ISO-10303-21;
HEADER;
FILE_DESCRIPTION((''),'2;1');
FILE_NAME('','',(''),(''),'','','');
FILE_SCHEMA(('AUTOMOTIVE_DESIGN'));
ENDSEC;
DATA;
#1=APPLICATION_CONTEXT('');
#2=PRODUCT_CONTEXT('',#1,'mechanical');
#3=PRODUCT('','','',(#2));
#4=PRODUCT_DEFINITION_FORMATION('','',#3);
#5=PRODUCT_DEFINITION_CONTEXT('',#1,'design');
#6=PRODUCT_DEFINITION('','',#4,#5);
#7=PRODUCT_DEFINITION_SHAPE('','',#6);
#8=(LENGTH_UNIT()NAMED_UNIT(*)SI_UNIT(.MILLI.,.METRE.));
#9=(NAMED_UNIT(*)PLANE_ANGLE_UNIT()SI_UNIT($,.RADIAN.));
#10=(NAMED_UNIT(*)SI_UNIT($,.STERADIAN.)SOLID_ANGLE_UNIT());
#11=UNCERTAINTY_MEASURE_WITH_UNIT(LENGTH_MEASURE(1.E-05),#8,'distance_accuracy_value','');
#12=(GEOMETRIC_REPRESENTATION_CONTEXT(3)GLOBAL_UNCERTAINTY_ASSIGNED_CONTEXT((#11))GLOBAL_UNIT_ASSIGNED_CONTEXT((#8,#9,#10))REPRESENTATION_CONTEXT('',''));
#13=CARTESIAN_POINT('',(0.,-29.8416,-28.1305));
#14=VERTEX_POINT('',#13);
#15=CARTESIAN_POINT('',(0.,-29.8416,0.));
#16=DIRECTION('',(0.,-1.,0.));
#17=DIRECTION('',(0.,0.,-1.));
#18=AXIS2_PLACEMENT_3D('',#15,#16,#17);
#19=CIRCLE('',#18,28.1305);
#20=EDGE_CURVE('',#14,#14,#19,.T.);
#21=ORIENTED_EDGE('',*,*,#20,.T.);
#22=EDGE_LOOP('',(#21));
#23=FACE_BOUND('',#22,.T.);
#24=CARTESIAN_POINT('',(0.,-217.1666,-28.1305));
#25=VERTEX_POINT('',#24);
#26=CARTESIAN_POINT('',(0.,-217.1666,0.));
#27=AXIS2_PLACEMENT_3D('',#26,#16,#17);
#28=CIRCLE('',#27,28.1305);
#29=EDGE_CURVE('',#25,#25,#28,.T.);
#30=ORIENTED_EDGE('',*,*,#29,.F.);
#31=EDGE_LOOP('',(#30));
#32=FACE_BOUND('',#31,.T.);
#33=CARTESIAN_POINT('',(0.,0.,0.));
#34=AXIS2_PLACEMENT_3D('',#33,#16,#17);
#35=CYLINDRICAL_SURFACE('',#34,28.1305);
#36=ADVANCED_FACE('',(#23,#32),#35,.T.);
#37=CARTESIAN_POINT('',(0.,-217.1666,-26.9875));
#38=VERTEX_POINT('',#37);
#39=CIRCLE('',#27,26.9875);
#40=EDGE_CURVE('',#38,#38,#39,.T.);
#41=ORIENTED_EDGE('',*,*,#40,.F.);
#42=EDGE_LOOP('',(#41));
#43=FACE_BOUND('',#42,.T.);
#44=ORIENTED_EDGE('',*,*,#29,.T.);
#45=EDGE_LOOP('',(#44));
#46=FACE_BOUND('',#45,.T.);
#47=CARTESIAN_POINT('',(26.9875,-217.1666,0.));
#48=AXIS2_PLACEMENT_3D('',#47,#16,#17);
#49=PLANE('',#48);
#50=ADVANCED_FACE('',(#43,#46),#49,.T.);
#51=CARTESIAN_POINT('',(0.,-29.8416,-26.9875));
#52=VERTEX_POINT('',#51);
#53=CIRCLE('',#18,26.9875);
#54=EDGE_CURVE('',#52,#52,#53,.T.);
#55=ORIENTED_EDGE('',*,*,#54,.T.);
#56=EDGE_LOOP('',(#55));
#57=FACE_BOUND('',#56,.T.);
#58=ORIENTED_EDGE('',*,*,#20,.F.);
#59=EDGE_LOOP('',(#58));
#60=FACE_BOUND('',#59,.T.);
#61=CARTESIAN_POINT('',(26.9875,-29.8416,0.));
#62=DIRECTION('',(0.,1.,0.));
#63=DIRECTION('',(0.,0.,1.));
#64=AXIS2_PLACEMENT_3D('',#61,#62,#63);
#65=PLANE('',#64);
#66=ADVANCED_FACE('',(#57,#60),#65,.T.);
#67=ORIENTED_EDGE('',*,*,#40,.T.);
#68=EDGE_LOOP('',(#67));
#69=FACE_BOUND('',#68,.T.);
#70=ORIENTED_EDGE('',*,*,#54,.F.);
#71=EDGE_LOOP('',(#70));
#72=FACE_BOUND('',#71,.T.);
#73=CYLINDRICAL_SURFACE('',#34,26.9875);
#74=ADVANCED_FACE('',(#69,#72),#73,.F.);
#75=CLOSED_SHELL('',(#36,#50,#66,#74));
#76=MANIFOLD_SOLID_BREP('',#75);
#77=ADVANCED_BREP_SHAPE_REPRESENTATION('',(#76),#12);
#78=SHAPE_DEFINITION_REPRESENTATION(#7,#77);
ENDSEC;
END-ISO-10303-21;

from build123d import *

# Parameters (mm, degrees)
SKETCH2_W = 1.143
SKETCH2_H = 187.325


with BuildPart() as part:
    # Sketch2 → Revolve1 (revolve)
    with BuildSketch(Plane.XY, mode=Mode.PRIVATE) as revolve1_sk:
        with Locations((27.559, -123.504100015)):
            Rectangle(SKETCH2_W, SKETCH2_H)
    revolve(revolve1_sk.sketch.rotate(Axis((0, 0, 0), (0, 1, 0)), 90), axis=Axis((0, 0, 0), (0, 1, 0)))


solid = part.part
